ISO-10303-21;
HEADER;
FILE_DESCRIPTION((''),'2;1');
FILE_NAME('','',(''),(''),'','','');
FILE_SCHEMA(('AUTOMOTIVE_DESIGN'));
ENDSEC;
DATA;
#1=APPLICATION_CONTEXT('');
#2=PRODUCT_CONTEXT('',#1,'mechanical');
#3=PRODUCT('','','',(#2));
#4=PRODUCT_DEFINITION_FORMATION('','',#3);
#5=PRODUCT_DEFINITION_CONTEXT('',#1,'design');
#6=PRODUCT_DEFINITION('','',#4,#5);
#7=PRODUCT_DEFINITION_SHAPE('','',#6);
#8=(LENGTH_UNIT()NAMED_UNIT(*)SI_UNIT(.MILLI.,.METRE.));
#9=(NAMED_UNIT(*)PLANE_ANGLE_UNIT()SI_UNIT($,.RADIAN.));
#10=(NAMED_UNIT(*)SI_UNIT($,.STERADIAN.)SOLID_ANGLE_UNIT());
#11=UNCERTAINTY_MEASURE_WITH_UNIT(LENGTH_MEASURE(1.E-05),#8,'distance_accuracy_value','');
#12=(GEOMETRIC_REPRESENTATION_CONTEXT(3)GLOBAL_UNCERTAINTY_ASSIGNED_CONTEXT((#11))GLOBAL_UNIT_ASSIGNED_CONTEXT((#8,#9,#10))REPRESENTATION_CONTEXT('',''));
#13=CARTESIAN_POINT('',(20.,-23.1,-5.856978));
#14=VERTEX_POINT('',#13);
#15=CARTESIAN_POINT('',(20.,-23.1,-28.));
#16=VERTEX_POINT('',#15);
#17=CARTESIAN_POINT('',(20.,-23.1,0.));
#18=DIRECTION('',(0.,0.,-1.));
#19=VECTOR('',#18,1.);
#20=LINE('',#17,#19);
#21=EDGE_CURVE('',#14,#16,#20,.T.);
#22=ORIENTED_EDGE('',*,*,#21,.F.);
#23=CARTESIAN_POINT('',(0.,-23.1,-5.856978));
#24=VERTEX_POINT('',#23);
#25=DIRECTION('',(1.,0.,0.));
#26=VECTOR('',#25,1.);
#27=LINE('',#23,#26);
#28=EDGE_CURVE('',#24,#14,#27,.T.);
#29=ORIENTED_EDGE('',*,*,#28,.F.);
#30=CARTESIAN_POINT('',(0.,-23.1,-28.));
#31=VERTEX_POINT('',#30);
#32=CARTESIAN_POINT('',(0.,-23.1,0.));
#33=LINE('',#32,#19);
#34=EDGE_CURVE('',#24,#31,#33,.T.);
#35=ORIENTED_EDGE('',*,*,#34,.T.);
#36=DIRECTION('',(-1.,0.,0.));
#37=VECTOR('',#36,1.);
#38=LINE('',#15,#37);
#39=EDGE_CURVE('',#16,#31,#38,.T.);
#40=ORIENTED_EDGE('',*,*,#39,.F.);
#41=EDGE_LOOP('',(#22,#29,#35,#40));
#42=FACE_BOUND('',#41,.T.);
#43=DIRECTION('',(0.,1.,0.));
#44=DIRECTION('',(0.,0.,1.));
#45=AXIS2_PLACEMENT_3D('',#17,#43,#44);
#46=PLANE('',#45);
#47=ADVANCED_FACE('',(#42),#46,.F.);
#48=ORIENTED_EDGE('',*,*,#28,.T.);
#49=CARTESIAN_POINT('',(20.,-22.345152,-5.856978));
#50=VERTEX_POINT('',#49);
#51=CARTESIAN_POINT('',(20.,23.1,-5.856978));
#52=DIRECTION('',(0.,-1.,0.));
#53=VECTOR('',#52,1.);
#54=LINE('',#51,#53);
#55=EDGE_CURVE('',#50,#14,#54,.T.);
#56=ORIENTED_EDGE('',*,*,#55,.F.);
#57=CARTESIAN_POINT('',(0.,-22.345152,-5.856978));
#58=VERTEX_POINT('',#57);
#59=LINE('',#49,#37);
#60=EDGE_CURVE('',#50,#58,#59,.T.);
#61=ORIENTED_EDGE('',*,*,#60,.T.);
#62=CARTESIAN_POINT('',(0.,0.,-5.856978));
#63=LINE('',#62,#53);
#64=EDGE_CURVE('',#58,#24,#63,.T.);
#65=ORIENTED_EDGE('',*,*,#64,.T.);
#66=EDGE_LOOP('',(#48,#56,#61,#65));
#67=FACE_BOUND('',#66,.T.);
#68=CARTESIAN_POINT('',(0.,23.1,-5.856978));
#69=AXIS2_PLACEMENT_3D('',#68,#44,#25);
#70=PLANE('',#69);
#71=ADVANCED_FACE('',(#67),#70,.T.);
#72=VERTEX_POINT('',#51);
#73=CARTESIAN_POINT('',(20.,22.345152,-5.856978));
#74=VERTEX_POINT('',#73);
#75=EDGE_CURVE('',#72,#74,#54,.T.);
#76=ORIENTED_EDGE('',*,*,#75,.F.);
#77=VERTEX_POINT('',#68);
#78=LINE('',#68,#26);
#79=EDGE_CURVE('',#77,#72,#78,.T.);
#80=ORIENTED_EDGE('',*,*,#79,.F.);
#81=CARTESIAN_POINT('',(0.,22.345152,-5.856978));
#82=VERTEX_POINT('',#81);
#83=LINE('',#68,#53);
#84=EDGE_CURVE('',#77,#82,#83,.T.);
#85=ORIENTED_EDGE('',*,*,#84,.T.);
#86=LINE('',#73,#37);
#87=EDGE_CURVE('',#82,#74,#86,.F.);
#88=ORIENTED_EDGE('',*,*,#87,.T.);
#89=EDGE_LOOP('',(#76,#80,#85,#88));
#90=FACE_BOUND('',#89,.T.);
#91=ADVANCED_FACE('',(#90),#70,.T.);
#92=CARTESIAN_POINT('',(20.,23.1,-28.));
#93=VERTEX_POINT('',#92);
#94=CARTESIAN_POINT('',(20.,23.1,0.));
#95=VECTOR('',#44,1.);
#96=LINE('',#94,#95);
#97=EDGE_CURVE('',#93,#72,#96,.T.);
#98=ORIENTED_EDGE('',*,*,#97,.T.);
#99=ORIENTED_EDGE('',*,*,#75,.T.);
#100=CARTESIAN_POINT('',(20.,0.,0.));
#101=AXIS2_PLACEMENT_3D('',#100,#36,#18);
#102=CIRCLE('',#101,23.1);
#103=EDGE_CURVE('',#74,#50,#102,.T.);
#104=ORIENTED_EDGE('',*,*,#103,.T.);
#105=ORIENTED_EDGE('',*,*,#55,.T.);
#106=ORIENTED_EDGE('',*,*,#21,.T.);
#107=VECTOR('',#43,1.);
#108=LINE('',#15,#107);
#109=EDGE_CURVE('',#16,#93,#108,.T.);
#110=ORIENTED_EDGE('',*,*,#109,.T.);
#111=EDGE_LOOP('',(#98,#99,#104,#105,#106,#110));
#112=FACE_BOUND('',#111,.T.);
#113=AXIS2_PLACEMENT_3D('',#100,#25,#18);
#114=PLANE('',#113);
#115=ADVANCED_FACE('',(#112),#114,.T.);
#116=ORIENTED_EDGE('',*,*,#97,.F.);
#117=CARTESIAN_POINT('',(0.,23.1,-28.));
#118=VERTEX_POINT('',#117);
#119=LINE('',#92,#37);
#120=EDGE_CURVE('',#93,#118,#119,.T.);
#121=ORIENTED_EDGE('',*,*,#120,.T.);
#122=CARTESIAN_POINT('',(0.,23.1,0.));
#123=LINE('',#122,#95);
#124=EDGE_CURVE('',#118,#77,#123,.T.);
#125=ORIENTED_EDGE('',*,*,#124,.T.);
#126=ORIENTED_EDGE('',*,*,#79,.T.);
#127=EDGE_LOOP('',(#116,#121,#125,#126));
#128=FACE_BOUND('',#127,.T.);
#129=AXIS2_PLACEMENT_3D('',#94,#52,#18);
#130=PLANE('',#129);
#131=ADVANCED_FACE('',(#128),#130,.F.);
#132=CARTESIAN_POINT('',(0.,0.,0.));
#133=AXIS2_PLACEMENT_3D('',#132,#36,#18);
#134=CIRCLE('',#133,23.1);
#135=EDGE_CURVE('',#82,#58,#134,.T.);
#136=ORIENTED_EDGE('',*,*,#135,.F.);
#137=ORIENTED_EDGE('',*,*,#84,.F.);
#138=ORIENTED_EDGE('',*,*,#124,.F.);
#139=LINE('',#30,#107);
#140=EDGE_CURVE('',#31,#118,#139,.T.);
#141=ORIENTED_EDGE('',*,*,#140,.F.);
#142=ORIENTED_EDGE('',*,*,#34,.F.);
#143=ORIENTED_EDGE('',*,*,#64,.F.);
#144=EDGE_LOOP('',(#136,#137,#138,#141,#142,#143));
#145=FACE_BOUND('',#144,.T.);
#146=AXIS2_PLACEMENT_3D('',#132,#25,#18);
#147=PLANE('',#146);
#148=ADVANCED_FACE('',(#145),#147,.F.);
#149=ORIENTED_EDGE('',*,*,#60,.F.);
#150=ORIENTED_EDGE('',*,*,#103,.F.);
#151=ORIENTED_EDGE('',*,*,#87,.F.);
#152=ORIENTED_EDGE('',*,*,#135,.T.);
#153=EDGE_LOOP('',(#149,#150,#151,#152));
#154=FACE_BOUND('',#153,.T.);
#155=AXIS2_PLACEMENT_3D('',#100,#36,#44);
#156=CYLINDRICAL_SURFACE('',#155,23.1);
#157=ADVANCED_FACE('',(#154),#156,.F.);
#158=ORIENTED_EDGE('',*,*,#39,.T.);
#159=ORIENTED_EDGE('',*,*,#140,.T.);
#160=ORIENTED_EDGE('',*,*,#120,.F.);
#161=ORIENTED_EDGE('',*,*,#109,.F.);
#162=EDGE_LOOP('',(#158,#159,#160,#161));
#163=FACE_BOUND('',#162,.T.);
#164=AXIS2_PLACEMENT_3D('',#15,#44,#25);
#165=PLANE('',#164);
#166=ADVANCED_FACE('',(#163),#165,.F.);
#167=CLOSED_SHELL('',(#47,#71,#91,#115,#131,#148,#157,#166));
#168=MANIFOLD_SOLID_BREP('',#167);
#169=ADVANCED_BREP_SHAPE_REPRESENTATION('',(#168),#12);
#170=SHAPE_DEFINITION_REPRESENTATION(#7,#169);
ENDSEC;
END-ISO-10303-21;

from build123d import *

# Parameters (mm, degrees)
SALIENTE_EXTRUIR2_DEPTH = 20
CROQUIS5_OUTSIDE_W      = 41.522
CROQUIS5_OUTSIDE_H      = 59.722
CROQUIS5_OUTSIDE_W_2    = 22.143022039
CROQUIS5_OUTSIDE_H_2    = 46.2
CORTAR_EXTRUIR1_DEPTH   = 42.444058682


with BuildPart() as part:
    # Croquis4 → Saliente-Extruir2 (new body)
    with BuildSketch(Plane(origin=(0, 0, 0), x_dir=(0, 0, -1), z_dir=(1, 0, 0))):
        with BuildLine():
            Line((0, 23.1), (28, 23.1))
            Line((28, 23.1), (28, -23.1))
            Line((28, -23.1), (0, -23.1))
            ThreePointArc((0, -23.1), (23.1, 0), (0, 23.1))
        make_face()
    extrude(amount=SALIENTE_EXTRUIR2_DEPTH)

    # Croquis5 outside → Cortar-Extruir1 (cut, through all)
    with BuildSketch(Plane(origin=(20, 0, 0), x_dir=(0, 0, -1), z_dir=(1, 0, 0))):
        with Locations((14, 0)):
            Rectangle(CROQUIS5_OUTSIDE_W, CROQUIS5_OUTSIDE_H)
        with Locations((16.92848898, 0)):
            Rectangle(CROQUIS5_OUTSIDE_W_2, CROQUIS5_OUTSIDE_H_2, mode=Mode.SUBTRACT)
    extrude(amount=-CORTAR_EXTRUIR1_DEPTH, mode=Mode.SUBTRACT)


solid = part.part
